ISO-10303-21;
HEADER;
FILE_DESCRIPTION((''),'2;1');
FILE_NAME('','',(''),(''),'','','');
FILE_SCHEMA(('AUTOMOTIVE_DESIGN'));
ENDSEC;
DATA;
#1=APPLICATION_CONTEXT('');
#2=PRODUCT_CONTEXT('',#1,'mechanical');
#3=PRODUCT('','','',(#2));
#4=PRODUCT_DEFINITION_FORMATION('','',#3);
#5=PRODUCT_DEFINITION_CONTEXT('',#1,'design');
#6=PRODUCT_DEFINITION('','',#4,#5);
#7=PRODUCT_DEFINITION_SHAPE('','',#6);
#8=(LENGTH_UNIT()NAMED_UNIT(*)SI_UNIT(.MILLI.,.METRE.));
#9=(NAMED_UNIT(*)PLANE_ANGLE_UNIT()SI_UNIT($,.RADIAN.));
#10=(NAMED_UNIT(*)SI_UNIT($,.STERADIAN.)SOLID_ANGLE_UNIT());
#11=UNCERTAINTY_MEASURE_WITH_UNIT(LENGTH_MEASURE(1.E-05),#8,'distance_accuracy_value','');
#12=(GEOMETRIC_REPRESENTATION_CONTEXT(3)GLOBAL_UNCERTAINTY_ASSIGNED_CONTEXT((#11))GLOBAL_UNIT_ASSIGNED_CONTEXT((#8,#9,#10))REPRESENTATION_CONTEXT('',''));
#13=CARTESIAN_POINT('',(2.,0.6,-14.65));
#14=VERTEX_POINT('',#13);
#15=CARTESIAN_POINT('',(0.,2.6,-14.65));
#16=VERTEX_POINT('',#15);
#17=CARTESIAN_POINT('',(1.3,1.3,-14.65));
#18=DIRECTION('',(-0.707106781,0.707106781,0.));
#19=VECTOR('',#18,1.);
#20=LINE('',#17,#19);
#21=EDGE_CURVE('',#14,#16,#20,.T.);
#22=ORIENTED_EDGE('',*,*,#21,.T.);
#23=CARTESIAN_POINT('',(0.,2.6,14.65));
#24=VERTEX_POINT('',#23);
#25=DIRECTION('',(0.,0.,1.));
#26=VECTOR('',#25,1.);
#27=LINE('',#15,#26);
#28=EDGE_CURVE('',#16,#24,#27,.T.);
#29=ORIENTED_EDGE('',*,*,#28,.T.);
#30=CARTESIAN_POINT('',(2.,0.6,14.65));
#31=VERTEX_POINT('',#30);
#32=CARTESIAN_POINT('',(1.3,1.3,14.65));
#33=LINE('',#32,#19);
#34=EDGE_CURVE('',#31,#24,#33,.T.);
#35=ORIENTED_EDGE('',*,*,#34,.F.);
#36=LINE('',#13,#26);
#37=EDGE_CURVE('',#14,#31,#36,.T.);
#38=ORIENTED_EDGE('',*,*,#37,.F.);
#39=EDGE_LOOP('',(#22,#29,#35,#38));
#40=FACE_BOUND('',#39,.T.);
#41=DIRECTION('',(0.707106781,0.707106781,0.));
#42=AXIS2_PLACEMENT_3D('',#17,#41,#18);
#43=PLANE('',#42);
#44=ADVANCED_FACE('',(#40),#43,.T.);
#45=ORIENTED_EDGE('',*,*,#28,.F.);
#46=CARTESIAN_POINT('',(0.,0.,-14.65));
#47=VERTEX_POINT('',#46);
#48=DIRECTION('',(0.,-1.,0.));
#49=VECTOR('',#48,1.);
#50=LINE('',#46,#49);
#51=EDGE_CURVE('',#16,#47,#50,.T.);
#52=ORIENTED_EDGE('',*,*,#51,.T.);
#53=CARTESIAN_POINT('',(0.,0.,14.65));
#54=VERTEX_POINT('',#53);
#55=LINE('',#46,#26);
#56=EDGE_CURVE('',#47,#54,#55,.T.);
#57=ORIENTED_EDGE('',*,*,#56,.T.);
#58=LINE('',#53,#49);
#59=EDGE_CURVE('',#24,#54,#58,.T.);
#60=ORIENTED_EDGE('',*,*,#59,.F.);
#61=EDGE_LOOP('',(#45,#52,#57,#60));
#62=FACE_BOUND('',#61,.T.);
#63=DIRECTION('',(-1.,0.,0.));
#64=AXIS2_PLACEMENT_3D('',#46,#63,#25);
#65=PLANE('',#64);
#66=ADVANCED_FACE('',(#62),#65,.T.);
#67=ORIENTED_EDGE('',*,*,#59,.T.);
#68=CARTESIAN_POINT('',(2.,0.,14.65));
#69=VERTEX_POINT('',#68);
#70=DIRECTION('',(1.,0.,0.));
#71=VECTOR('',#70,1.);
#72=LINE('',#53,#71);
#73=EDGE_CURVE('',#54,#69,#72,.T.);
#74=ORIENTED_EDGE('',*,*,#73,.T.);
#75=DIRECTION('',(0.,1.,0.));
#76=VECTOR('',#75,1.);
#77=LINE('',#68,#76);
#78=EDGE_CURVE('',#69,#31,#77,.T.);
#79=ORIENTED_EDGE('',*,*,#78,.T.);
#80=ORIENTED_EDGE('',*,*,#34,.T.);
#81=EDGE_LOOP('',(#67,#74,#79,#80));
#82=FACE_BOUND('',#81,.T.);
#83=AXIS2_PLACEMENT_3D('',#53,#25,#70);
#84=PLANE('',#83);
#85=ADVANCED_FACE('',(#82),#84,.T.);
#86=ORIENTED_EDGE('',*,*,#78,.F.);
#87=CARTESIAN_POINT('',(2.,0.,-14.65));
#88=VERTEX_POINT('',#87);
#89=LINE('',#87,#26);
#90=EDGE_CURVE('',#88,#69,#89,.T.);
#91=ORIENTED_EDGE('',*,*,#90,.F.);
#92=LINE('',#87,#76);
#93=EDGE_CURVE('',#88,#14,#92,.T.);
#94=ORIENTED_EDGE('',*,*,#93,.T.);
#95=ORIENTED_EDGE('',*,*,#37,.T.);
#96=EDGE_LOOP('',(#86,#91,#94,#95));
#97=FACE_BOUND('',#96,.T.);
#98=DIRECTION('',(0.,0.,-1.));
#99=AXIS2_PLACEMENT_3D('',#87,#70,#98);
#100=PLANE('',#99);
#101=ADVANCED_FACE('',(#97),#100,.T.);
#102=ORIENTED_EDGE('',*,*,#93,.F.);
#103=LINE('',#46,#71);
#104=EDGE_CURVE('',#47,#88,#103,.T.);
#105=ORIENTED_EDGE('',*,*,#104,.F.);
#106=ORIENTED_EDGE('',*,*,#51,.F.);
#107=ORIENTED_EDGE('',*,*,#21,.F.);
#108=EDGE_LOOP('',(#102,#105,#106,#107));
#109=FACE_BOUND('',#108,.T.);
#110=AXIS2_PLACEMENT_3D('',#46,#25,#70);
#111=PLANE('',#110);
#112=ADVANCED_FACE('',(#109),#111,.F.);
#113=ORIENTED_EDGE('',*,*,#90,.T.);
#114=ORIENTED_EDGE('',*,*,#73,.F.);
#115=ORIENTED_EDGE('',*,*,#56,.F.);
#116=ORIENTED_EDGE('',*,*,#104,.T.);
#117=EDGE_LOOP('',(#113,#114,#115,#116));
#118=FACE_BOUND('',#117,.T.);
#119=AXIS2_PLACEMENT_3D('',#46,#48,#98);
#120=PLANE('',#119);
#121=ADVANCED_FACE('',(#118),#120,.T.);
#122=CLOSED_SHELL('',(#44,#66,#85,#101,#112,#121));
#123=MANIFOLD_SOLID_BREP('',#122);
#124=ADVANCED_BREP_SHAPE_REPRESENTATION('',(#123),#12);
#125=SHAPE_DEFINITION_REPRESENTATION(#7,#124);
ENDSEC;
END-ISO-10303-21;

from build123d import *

# Parameters (mm, degrees)
BOSS_EXTRUDE1_DEPTH = 14.65


with BuildPart() as part:
    # Sketch1 → Boss-Extrude1 (new, symmetric)
    with BuildSketch(Plane.XY):
        Polygon((0, 2.6), (0, 0), (2, 0), (2, 0.6), align=None)
    extrude(amount=BOSS_EXTRUDE1_DEPTH, both=True)


solid = part.part
